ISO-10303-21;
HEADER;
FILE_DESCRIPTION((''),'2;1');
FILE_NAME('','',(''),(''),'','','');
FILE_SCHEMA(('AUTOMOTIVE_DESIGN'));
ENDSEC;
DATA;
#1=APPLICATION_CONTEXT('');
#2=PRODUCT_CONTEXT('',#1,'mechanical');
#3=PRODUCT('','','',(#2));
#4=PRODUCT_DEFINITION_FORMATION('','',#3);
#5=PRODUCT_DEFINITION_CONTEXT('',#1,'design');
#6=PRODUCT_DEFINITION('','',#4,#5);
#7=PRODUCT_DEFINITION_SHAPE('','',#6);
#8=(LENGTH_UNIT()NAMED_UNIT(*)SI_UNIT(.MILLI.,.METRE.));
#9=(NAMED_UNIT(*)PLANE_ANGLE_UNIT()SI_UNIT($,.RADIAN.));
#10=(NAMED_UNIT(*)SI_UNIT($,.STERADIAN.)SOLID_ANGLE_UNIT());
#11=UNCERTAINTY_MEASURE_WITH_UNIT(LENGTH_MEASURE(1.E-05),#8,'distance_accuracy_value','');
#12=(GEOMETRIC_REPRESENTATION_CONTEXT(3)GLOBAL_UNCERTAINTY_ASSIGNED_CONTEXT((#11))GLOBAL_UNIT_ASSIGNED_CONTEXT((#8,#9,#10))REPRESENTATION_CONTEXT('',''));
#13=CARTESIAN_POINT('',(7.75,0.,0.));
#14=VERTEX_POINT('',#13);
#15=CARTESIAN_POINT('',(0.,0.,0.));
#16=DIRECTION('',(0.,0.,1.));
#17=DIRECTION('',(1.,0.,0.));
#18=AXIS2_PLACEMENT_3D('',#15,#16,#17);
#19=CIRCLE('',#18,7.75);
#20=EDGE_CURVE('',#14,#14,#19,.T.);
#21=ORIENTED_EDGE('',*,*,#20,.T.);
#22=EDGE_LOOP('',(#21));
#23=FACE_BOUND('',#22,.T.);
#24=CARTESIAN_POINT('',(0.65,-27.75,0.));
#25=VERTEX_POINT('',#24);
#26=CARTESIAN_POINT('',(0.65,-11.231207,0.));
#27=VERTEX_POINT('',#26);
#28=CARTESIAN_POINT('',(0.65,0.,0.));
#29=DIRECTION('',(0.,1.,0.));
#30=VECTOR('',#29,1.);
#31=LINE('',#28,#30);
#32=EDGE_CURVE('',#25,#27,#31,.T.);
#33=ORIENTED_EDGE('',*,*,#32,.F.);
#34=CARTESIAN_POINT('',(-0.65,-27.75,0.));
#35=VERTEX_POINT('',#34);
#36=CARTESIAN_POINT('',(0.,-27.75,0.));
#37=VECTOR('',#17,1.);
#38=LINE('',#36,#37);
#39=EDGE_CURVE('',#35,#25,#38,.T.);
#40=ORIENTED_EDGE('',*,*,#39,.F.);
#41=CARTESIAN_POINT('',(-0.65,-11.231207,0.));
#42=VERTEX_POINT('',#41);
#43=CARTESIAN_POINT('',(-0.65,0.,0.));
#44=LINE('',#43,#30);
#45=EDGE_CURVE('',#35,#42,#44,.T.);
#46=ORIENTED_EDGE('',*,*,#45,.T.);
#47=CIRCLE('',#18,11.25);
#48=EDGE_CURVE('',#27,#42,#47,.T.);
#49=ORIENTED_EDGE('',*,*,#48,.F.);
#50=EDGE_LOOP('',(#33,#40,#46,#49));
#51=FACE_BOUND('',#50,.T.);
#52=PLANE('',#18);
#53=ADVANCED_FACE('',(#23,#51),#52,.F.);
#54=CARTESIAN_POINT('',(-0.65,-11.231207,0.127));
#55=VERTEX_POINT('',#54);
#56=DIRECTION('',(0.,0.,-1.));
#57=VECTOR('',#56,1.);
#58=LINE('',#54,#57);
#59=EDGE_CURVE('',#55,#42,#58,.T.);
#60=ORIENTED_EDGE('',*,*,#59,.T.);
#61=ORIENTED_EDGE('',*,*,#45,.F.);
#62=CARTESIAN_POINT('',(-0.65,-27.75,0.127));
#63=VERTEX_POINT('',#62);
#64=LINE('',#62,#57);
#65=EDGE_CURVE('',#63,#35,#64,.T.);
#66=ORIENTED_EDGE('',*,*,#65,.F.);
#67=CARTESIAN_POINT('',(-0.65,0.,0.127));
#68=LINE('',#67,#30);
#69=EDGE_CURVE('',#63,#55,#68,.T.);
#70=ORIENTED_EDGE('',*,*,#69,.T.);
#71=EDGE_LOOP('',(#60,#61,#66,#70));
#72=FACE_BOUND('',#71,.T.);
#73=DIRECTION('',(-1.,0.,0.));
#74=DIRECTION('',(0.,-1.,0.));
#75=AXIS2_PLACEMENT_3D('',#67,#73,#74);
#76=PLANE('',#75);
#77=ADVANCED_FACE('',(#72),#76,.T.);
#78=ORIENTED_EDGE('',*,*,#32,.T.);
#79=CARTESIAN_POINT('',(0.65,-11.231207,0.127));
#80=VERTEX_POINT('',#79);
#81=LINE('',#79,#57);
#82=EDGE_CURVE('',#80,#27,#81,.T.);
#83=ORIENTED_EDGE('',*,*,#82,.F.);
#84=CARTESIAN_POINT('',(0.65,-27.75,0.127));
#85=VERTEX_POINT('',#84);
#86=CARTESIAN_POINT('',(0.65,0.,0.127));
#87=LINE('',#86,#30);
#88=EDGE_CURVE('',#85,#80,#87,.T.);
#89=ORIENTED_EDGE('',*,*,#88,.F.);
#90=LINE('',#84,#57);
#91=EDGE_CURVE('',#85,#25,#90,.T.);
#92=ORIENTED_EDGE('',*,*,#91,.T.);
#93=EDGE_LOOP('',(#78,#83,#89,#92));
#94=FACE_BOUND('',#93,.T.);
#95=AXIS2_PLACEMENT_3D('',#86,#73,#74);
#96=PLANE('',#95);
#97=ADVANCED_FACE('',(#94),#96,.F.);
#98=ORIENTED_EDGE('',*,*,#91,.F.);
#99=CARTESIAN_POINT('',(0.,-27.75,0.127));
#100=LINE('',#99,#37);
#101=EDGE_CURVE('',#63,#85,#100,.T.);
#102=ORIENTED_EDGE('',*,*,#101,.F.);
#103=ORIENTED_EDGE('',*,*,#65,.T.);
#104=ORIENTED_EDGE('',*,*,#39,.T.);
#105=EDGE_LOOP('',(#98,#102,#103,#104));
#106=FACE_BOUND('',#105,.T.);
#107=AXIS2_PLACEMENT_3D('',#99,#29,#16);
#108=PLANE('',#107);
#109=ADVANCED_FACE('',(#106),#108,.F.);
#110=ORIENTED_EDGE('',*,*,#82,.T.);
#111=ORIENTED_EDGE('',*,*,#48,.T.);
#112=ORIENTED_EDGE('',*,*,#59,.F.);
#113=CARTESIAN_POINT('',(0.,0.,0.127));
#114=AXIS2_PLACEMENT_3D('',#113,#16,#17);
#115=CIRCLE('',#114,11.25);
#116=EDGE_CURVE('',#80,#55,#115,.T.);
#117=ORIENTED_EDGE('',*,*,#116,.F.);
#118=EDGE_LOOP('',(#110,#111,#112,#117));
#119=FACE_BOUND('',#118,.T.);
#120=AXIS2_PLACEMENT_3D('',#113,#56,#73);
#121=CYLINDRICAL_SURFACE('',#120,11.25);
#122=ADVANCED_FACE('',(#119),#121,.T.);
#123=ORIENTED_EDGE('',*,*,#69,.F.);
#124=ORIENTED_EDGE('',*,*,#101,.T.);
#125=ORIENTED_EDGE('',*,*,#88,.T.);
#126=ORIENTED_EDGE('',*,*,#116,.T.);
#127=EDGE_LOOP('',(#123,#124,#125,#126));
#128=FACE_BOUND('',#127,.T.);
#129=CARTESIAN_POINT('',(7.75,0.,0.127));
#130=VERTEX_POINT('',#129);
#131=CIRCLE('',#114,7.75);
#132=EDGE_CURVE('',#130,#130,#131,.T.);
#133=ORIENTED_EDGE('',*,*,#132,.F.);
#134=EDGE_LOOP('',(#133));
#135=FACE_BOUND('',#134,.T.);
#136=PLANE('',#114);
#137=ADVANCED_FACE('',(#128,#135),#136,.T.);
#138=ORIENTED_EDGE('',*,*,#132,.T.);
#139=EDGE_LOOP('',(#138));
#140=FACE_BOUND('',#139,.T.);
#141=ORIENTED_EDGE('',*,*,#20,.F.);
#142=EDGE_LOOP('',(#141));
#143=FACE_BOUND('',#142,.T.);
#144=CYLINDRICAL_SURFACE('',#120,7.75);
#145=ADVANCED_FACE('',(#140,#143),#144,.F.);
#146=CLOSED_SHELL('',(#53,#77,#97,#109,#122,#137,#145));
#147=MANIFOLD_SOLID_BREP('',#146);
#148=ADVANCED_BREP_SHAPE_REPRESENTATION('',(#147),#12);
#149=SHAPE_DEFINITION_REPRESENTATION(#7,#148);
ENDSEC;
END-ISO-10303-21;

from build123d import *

# Parameters (mm, degrees)
BOSS_EXTRUDE1_DEPTH = 0.127


with BuildPart() as part:
    # Sketch1 → Boss-Extrude1 (new body)
    # profile 1 of 5: a face of its own
    with BuildSketch(Plane.XY):
        with BuildLine():
            Line((-0.65, -7.75), (0, -7.75))
            Line((0, -7.75), (0.65, -7.75))
            Line((0.65, -7.75), (0.65, -11.231206525))
            ThreePointArc((0.65, -11.231206525), (8.181534086, -7.721722606), (11.25, 0))
            ThreePointArc((11.25, 0), (-7.721722606, 8.181534086), (-0.65, -11.231206525))
            Line((-0.65, -11.231206525), (-0.65, -7.75))
        make_face()
        with BuildLine():
            ThreePointArc((7.75, 0), (5.480077554, -5.480077554), (0, -7.75))
            ThreePointArc((0, -7.75), (-5.480077554, 5.480077554), (7.75, 0))
        make_face(mode=Mode.SUBTRACT)
    # profile 2 of 5: a face of its own
    with BuildSketch(Plane.XY):
        with BuildLine():
            Line((0.65, -7.75), (0, -7.75))
            Line((0, -7.75), (0, -11.25))
            ThreePointArc((0, -11.25), (0.325135816, -11.24530065), (0.65, -11.231206525))
            Line((0.65, -11.231206525), (0.65, -7.75))
        make_face()
    # profile 3 of 5: a face of its own
    with BuildSketch(Plane.XY):
        with BuildLine():
            Line((0, -11.25), (0, -7.75))
            Line((0, -7.75), (-0.65, -7.75))
            Line((-0.65, -7.75), (-0.65, -11.231206525))
            ThreePointArc((-0.65, -11.231206525), (-0.325135816, -11.24530065), (0, -11.25))
        make_face()
    # profile 4 of 5: a face of its own
    with BuildSketch(Plane.XY):
        with BuildLine():
            Line((0, -27.75), (0, -11.25))
            ThreePointArc((0, -11.25), (-0.325135816, -11.24530065), (-0.65, -11.231206525))
            Line((-0.65, -11.231206525), (-0.65, -27.75))
            Line((-0.65, -27.75), (0, -27.75))
        make_face()
    # profile 5 of 5: a face of its own
    with BuildSketch(Plane.XY):
        with BuildLine():
            ThreePointArc((0.65, -11.231206525), (0.325135816, -11.24530065), (0, -11.25))
            Line((0, -11.25), (0, -27.75))
            Line((0, -27.75), (0.65, -27.75))
            Line((0.65, -27.75), (0.65, -11.231206525))
        make_face()
    extrude(amount=BOSS_EXTRUDE1_DEPTH)


solid = part.part
